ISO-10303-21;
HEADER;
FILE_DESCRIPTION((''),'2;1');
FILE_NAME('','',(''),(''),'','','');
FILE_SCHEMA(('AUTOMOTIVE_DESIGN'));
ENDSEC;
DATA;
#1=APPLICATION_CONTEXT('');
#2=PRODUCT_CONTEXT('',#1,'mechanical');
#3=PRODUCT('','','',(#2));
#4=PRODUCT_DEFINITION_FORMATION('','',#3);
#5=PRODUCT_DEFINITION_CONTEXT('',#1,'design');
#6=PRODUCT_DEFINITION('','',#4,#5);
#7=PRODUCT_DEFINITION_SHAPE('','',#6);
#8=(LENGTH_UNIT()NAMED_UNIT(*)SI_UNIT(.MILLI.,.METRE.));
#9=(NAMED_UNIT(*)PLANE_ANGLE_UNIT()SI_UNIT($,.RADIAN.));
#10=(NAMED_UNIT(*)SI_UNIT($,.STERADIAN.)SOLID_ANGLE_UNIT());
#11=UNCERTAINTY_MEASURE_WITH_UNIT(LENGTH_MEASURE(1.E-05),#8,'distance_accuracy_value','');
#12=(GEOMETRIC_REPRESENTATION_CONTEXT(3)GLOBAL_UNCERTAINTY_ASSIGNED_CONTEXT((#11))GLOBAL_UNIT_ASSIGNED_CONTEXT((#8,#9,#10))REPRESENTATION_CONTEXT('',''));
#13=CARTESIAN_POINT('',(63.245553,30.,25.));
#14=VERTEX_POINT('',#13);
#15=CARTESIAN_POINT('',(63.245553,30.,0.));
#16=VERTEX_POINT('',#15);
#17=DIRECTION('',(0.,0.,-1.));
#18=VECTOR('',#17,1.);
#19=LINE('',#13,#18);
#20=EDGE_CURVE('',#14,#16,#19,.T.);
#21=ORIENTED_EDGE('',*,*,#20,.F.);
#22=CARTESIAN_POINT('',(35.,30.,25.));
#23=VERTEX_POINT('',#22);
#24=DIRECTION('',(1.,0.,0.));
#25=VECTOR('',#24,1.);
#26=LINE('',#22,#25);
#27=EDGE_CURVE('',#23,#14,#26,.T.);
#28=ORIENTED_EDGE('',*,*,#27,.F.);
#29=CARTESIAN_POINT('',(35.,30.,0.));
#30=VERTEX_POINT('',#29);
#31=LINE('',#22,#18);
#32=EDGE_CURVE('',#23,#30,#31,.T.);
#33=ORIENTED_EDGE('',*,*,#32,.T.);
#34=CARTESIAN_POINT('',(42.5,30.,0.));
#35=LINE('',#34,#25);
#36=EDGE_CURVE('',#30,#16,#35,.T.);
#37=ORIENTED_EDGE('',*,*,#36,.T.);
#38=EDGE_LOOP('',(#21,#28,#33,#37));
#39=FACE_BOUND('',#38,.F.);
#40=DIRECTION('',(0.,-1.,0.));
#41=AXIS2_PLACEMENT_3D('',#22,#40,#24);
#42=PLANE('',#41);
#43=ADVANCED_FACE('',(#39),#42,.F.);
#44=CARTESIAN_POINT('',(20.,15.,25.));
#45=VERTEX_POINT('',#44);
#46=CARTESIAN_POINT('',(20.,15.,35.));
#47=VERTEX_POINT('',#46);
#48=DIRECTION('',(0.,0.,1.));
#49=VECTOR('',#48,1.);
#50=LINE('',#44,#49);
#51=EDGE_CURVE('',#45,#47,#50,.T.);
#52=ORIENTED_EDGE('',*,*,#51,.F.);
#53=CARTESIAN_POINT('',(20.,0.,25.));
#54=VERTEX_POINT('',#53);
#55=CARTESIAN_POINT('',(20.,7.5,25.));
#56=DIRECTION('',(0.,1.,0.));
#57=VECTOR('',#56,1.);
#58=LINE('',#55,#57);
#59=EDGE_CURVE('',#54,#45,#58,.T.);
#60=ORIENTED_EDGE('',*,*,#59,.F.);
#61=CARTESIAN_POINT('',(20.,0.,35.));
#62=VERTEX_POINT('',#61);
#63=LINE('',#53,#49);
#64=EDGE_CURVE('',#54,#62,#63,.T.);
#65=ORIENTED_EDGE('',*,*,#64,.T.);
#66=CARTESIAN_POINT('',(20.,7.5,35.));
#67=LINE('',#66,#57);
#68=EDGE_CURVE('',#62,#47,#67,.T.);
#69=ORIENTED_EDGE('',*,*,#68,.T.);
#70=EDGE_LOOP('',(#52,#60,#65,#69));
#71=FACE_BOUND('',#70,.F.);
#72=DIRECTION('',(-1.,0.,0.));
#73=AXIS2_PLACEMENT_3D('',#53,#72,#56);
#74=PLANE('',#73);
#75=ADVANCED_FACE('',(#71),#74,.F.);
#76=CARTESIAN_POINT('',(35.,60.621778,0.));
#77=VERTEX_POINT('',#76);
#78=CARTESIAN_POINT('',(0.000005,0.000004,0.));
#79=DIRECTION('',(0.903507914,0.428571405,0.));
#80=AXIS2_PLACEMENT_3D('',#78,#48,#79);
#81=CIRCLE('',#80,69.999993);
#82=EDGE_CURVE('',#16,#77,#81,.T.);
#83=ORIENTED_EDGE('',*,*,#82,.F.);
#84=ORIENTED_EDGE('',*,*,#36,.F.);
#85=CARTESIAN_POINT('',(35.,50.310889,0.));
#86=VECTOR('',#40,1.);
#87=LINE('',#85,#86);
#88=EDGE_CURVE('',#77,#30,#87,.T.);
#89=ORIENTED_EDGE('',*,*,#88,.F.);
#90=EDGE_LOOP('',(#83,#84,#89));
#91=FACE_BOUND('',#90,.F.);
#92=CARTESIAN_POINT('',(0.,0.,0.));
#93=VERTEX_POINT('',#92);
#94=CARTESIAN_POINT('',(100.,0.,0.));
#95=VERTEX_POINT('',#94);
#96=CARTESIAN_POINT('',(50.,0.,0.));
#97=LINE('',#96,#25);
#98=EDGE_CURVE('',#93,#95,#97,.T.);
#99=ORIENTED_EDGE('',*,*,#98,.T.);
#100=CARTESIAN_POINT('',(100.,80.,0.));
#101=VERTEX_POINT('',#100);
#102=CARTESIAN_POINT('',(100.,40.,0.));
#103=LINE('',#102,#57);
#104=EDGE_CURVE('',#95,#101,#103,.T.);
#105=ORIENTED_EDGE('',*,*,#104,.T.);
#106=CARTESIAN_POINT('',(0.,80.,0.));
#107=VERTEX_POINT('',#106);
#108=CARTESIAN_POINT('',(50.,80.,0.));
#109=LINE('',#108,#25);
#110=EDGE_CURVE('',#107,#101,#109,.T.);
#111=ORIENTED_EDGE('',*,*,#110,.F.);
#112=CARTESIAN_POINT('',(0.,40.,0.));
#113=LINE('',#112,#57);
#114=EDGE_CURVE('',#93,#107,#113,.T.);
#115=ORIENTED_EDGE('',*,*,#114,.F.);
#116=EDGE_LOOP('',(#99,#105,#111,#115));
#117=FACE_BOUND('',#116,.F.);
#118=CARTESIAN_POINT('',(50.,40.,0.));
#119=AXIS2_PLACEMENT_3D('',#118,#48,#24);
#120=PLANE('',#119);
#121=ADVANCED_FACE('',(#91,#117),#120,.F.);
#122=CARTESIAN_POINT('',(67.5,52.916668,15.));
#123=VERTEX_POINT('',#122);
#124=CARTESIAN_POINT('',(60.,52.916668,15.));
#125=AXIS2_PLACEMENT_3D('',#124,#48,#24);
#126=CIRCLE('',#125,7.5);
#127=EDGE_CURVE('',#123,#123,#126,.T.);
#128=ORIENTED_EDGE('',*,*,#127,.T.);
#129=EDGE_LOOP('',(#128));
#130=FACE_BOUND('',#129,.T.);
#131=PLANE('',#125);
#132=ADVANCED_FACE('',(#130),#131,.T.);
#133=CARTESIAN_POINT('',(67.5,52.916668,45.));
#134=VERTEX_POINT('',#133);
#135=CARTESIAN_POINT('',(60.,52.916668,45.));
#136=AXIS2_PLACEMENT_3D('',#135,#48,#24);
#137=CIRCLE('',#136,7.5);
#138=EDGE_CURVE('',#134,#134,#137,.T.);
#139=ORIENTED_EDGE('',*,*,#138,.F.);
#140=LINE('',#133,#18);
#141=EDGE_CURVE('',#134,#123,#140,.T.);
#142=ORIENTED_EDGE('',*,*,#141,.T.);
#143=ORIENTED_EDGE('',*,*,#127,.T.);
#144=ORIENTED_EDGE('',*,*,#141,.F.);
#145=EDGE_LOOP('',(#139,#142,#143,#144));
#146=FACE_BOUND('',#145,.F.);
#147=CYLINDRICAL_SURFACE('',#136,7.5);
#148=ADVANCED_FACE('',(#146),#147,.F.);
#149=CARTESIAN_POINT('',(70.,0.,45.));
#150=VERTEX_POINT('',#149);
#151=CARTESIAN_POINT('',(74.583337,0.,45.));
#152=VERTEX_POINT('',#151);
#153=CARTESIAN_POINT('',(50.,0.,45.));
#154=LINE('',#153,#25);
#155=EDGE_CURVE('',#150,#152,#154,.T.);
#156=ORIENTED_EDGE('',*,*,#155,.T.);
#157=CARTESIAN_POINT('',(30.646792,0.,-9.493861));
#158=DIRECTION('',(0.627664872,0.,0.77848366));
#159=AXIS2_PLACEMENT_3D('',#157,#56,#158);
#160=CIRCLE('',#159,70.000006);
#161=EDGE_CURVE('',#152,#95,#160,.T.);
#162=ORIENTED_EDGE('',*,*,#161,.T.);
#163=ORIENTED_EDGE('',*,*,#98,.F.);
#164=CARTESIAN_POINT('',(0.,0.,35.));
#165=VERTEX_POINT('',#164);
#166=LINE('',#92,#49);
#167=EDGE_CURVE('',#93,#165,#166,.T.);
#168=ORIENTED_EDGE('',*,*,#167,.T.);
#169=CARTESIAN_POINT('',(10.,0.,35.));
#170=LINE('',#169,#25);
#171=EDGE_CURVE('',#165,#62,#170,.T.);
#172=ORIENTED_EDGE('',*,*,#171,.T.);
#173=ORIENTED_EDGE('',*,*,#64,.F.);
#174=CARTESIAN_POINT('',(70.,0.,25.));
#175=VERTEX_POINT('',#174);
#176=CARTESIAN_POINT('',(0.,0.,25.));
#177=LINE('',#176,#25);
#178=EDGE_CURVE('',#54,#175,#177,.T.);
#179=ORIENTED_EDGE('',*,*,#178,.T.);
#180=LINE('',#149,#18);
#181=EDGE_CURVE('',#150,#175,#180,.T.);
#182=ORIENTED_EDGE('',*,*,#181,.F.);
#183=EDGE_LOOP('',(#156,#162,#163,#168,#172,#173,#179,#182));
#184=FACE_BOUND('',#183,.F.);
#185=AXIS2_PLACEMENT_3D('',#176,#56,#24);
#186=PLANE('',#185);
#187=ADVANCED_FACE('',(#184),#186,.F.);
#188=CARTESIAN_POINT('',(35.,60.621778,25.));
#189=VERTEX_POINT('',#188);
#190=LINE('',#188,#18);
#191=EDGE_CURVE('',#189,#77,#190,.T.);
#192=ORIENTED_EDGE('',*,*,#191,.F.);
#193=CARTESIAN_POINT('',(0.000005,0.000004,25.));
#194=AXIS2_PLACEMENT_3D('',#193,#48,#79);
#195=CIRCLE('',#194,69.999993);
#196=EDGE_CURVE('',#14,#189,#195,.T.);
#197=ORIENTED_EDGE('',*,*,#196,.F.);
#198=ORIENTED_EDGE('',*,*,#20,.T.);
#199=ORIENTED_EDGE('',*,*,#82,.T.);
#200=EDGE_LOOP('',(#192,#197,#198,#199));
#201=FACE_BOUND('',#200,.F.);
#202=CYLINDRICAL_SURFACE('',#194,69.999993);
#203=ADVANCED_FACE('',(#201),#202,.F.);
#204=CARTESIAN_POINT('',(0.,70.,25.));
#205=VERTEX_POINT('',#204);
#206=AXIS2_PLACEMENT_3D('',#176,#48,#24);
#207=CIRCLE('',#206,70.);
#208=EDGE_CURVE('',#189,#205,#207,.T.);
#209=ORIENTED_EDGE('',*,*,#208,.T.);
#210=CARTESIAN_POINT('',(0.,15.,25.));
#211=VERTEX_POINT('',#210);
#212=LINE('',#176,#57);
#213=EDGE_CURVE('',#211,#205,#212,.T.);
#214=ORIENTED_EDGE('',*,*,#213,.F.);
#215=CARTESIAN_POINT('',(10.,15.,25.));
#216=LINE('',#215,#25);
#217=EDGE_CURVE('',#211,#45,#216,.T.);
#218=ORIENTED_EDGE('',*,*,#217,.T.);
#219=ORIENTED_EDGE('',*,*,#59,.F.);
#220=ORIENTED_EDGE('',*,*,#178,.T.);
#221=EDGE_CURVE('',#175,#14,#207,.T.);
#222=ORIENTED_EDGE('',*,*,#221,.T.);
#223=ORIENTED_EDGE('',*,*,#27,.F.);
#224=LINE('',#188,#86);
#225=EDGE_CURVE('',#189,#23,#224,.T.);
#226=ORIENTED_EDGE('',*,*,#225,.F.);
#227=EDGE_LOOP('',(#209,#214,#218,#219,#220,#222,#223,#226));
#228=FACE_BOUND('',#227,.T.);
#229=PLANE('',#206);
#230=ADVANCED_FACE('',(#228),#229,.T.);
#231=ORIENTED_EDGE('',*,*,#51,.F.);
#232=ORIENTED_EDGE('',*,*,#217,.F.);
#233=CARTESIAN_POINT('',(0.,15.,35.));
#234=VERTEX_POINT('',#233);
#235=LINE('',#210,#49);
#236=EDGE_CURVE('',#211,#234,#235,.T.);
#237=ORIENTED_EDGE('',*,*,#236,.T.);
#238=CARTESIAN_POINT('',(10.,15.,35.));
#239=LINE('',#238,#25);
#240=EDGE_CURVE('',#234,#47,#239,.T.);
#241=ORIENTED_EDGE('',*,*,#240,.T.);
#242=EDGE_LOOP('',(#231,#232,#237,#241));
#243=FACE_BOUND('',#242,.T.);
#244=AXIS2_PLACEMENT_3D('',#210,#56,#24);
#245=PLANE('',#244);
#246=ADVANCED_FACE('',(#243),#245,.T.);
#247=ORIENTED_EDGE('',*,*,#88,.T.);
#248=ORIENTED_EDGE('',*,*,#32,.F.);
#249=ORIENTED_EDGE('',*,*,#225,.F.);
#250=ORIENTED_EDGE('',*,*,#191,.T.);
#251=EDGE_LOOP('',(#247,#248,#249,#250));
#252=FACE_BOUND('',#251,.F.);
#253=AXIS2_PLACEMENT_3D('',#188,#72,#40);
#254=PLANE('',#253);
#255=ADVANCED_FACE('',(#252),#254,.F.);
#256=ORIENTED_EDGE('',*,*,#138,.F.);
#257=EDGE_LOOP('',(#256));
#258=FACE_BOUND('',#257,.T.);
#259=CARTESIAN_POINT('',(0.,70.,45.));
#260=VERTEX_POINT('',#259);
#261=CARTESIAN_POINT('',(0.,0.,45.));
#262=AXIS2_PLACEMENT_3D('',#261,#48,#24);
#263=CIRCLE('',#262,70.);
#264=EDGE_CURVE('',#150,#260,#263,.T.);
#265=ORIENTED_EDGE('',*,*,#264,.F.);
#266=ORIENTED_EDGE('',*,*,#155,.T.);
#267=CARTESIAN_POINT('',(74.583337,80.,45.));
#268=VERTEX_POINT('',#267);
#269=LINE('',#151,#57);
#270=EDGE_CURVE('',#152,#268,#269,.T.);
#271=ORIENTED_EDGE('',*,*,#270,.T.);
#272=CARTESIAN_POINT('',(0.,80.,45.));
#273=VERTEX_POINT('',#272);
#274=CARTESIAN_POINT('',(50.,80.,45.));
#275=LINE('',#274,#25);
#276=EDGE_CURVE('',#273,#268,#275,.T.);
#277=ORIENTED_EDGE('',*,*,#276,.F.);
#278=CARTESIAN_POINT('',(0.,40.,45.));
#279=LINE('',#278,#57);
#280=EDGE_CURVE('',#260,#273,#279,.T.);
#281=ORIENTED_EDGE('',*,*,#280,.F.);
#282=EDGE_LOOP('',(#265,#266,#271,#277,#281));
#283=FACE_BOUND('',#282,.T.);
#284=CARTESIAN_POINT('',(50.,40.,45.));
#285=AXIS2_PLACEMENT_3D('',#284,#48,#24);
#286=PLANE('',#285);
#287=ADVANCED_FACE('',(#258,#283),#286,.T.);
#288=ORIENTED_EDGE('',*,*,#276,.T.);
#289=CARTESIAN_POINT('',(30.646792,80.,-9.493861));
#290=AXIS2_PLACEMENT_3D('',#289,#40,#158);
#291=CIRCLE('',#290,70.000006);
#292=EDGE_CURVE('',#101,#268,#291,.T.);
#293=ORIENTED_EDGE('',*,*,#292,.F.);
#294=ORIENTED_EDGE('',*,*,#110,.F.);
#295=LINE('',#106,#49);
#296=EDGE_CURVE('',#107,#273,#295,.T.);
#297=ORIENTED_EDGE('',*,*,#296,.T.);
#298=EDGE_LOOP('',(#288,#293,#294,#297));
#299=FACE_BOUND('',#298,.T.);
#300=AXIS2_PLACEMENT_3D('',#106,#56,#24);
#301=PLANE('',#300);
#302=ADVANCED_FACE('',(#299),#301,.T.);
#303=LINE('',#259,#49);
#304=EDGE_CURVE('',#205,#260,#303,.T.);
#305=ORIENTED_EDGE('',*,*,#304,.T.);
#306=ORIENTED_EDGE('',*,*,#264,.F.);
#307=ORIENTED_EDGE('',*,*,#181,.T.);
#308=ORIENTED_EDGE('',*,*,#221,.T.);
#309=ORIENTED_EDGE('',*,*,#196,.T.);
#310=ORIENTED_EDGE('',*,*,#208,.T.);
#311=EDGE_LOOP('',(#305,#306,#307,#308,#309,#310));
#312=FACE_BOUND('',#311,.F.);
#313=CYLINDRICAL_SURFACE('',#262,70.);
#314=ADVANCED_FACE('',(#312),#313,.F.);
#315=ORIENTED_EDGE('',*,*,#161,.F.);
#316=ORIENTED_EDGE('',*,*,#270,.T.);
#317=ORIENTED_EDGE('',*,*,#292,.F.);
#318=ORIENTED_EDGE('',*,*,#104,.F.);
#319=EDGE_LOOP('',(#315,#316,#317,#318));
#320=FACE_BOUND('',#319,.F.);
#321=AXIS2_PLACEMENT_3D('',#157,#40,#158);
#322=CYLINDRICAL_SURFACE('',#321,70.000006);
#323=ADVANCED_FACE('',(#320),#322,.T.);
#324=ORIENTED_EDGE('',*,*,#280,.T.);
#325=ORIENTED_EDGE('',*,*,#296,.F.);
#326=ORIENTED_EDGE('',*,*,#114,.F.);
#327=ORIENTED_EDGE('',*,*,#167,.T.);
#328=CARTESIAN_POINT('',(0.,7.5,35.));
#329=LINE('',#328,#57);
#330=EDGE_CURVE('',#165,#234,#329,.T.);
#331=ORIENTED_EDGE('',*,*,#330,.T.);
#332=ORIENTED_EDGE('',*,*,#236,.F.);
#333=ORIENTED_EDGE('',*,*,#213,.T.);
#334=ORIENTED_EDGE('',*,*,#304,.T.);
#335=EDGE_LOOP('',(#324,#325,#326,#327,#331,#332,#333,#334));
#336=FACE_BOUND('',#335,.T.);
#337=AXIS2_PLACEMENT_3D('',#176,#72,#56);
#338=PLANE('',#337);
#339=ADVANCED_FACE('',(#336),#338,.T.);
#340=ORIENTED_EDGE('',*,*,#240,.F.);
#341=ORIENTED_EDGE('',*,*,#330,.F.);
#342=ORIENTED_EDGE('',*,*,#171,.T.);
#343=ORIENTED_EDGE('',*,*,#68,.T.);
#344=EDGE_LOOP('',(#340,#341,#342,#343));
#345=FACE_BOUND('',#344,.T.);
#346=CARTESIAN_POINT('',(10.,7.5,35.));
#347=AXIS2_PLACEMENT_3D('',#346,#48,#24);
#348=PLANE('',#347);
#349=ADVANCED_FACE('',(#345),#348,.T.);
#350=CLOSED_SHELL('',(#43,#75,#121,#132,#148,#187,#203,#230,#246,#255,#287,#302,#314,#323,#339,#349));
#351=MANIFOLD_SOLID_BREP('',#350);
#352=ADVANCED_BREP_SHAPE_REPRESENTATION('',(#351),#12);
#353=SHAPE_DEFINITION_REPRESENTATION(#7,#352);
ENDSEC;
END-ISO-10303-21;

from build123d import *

# Parameters (mm, degrees)
F0_W      = 100
F0_H      = 80
F1_DEPTH  = 45
F2_R      = 7.5
F3_DEPTH  = 30
F4_R      = 70
F5_DEPTH  = 20
F6_W      = 20
F6_H      = 15
F7_DEPTH  = 10
F9_DEPTH  = 25.001
F11_DEPTH = 80.001


with BuildPart() as f1:
    # F0 (on Top) → F1 (new body)
    with BuildSketch(Plane.XY):
        with Locations((50, 40)):
            Rectangle(F0_W, F0_H)
    extrude(amount=F1_DEPTH)

    # F2 (on face) → F3 (cut)
    with BuildSketch(Plane.XY.offset(45)):
        with Locations((60, 52.916668)):
            Circle(F2_R)
    extrude(amount=-F3_DEPTH, mode=Mode.SUBTRACT)

    # F4 (on face) → F5 (cut)
    with BuildSketch(Plane.XY.offset(45)):
        Circle(F4_R)
    extrude(amount=-F5_DEPTH, mode=Mode.SUBTRACT)

    # F6 (on face) → F7 (join)
    with BuildSketch(Plane.XY.offset(25)):
        with Locations((10, 7.5)):
            Rectangle(F6_W, F6_H)
    extrude(amount=F7_DEPTH)

    # F8 (on face) → F9 (cut, through all)
    with BuildSketch(Plane.XY.offset(25)):
        with BuildLine():
            ThreePointArc((63.245553, 30), (51.453576, 47.460821), (35, 60.621778))
            Line((35, 60.621778), (35, 30))
            Line((35, 30), (63.245553, 30))
        make_face()
    extrude(amount=-F9_DEPTH, mode=Mode.SUBTRACT)

    # F10 (on face) → F11 (cut, through all)
    with BuildSketch(Plane.XZ):
        with BuildLine():
            ThreePointArc((74.583337, 45), (91.596706, 24.931549), (100, 0))
            Line((100, 0), (100, 45))
            Line((100, 45), (74.583337, 45))
        make_face()
    extrude(amount=-F11_DEPTH, mode=Mode.SUBTRACT)


solid = f1.part
